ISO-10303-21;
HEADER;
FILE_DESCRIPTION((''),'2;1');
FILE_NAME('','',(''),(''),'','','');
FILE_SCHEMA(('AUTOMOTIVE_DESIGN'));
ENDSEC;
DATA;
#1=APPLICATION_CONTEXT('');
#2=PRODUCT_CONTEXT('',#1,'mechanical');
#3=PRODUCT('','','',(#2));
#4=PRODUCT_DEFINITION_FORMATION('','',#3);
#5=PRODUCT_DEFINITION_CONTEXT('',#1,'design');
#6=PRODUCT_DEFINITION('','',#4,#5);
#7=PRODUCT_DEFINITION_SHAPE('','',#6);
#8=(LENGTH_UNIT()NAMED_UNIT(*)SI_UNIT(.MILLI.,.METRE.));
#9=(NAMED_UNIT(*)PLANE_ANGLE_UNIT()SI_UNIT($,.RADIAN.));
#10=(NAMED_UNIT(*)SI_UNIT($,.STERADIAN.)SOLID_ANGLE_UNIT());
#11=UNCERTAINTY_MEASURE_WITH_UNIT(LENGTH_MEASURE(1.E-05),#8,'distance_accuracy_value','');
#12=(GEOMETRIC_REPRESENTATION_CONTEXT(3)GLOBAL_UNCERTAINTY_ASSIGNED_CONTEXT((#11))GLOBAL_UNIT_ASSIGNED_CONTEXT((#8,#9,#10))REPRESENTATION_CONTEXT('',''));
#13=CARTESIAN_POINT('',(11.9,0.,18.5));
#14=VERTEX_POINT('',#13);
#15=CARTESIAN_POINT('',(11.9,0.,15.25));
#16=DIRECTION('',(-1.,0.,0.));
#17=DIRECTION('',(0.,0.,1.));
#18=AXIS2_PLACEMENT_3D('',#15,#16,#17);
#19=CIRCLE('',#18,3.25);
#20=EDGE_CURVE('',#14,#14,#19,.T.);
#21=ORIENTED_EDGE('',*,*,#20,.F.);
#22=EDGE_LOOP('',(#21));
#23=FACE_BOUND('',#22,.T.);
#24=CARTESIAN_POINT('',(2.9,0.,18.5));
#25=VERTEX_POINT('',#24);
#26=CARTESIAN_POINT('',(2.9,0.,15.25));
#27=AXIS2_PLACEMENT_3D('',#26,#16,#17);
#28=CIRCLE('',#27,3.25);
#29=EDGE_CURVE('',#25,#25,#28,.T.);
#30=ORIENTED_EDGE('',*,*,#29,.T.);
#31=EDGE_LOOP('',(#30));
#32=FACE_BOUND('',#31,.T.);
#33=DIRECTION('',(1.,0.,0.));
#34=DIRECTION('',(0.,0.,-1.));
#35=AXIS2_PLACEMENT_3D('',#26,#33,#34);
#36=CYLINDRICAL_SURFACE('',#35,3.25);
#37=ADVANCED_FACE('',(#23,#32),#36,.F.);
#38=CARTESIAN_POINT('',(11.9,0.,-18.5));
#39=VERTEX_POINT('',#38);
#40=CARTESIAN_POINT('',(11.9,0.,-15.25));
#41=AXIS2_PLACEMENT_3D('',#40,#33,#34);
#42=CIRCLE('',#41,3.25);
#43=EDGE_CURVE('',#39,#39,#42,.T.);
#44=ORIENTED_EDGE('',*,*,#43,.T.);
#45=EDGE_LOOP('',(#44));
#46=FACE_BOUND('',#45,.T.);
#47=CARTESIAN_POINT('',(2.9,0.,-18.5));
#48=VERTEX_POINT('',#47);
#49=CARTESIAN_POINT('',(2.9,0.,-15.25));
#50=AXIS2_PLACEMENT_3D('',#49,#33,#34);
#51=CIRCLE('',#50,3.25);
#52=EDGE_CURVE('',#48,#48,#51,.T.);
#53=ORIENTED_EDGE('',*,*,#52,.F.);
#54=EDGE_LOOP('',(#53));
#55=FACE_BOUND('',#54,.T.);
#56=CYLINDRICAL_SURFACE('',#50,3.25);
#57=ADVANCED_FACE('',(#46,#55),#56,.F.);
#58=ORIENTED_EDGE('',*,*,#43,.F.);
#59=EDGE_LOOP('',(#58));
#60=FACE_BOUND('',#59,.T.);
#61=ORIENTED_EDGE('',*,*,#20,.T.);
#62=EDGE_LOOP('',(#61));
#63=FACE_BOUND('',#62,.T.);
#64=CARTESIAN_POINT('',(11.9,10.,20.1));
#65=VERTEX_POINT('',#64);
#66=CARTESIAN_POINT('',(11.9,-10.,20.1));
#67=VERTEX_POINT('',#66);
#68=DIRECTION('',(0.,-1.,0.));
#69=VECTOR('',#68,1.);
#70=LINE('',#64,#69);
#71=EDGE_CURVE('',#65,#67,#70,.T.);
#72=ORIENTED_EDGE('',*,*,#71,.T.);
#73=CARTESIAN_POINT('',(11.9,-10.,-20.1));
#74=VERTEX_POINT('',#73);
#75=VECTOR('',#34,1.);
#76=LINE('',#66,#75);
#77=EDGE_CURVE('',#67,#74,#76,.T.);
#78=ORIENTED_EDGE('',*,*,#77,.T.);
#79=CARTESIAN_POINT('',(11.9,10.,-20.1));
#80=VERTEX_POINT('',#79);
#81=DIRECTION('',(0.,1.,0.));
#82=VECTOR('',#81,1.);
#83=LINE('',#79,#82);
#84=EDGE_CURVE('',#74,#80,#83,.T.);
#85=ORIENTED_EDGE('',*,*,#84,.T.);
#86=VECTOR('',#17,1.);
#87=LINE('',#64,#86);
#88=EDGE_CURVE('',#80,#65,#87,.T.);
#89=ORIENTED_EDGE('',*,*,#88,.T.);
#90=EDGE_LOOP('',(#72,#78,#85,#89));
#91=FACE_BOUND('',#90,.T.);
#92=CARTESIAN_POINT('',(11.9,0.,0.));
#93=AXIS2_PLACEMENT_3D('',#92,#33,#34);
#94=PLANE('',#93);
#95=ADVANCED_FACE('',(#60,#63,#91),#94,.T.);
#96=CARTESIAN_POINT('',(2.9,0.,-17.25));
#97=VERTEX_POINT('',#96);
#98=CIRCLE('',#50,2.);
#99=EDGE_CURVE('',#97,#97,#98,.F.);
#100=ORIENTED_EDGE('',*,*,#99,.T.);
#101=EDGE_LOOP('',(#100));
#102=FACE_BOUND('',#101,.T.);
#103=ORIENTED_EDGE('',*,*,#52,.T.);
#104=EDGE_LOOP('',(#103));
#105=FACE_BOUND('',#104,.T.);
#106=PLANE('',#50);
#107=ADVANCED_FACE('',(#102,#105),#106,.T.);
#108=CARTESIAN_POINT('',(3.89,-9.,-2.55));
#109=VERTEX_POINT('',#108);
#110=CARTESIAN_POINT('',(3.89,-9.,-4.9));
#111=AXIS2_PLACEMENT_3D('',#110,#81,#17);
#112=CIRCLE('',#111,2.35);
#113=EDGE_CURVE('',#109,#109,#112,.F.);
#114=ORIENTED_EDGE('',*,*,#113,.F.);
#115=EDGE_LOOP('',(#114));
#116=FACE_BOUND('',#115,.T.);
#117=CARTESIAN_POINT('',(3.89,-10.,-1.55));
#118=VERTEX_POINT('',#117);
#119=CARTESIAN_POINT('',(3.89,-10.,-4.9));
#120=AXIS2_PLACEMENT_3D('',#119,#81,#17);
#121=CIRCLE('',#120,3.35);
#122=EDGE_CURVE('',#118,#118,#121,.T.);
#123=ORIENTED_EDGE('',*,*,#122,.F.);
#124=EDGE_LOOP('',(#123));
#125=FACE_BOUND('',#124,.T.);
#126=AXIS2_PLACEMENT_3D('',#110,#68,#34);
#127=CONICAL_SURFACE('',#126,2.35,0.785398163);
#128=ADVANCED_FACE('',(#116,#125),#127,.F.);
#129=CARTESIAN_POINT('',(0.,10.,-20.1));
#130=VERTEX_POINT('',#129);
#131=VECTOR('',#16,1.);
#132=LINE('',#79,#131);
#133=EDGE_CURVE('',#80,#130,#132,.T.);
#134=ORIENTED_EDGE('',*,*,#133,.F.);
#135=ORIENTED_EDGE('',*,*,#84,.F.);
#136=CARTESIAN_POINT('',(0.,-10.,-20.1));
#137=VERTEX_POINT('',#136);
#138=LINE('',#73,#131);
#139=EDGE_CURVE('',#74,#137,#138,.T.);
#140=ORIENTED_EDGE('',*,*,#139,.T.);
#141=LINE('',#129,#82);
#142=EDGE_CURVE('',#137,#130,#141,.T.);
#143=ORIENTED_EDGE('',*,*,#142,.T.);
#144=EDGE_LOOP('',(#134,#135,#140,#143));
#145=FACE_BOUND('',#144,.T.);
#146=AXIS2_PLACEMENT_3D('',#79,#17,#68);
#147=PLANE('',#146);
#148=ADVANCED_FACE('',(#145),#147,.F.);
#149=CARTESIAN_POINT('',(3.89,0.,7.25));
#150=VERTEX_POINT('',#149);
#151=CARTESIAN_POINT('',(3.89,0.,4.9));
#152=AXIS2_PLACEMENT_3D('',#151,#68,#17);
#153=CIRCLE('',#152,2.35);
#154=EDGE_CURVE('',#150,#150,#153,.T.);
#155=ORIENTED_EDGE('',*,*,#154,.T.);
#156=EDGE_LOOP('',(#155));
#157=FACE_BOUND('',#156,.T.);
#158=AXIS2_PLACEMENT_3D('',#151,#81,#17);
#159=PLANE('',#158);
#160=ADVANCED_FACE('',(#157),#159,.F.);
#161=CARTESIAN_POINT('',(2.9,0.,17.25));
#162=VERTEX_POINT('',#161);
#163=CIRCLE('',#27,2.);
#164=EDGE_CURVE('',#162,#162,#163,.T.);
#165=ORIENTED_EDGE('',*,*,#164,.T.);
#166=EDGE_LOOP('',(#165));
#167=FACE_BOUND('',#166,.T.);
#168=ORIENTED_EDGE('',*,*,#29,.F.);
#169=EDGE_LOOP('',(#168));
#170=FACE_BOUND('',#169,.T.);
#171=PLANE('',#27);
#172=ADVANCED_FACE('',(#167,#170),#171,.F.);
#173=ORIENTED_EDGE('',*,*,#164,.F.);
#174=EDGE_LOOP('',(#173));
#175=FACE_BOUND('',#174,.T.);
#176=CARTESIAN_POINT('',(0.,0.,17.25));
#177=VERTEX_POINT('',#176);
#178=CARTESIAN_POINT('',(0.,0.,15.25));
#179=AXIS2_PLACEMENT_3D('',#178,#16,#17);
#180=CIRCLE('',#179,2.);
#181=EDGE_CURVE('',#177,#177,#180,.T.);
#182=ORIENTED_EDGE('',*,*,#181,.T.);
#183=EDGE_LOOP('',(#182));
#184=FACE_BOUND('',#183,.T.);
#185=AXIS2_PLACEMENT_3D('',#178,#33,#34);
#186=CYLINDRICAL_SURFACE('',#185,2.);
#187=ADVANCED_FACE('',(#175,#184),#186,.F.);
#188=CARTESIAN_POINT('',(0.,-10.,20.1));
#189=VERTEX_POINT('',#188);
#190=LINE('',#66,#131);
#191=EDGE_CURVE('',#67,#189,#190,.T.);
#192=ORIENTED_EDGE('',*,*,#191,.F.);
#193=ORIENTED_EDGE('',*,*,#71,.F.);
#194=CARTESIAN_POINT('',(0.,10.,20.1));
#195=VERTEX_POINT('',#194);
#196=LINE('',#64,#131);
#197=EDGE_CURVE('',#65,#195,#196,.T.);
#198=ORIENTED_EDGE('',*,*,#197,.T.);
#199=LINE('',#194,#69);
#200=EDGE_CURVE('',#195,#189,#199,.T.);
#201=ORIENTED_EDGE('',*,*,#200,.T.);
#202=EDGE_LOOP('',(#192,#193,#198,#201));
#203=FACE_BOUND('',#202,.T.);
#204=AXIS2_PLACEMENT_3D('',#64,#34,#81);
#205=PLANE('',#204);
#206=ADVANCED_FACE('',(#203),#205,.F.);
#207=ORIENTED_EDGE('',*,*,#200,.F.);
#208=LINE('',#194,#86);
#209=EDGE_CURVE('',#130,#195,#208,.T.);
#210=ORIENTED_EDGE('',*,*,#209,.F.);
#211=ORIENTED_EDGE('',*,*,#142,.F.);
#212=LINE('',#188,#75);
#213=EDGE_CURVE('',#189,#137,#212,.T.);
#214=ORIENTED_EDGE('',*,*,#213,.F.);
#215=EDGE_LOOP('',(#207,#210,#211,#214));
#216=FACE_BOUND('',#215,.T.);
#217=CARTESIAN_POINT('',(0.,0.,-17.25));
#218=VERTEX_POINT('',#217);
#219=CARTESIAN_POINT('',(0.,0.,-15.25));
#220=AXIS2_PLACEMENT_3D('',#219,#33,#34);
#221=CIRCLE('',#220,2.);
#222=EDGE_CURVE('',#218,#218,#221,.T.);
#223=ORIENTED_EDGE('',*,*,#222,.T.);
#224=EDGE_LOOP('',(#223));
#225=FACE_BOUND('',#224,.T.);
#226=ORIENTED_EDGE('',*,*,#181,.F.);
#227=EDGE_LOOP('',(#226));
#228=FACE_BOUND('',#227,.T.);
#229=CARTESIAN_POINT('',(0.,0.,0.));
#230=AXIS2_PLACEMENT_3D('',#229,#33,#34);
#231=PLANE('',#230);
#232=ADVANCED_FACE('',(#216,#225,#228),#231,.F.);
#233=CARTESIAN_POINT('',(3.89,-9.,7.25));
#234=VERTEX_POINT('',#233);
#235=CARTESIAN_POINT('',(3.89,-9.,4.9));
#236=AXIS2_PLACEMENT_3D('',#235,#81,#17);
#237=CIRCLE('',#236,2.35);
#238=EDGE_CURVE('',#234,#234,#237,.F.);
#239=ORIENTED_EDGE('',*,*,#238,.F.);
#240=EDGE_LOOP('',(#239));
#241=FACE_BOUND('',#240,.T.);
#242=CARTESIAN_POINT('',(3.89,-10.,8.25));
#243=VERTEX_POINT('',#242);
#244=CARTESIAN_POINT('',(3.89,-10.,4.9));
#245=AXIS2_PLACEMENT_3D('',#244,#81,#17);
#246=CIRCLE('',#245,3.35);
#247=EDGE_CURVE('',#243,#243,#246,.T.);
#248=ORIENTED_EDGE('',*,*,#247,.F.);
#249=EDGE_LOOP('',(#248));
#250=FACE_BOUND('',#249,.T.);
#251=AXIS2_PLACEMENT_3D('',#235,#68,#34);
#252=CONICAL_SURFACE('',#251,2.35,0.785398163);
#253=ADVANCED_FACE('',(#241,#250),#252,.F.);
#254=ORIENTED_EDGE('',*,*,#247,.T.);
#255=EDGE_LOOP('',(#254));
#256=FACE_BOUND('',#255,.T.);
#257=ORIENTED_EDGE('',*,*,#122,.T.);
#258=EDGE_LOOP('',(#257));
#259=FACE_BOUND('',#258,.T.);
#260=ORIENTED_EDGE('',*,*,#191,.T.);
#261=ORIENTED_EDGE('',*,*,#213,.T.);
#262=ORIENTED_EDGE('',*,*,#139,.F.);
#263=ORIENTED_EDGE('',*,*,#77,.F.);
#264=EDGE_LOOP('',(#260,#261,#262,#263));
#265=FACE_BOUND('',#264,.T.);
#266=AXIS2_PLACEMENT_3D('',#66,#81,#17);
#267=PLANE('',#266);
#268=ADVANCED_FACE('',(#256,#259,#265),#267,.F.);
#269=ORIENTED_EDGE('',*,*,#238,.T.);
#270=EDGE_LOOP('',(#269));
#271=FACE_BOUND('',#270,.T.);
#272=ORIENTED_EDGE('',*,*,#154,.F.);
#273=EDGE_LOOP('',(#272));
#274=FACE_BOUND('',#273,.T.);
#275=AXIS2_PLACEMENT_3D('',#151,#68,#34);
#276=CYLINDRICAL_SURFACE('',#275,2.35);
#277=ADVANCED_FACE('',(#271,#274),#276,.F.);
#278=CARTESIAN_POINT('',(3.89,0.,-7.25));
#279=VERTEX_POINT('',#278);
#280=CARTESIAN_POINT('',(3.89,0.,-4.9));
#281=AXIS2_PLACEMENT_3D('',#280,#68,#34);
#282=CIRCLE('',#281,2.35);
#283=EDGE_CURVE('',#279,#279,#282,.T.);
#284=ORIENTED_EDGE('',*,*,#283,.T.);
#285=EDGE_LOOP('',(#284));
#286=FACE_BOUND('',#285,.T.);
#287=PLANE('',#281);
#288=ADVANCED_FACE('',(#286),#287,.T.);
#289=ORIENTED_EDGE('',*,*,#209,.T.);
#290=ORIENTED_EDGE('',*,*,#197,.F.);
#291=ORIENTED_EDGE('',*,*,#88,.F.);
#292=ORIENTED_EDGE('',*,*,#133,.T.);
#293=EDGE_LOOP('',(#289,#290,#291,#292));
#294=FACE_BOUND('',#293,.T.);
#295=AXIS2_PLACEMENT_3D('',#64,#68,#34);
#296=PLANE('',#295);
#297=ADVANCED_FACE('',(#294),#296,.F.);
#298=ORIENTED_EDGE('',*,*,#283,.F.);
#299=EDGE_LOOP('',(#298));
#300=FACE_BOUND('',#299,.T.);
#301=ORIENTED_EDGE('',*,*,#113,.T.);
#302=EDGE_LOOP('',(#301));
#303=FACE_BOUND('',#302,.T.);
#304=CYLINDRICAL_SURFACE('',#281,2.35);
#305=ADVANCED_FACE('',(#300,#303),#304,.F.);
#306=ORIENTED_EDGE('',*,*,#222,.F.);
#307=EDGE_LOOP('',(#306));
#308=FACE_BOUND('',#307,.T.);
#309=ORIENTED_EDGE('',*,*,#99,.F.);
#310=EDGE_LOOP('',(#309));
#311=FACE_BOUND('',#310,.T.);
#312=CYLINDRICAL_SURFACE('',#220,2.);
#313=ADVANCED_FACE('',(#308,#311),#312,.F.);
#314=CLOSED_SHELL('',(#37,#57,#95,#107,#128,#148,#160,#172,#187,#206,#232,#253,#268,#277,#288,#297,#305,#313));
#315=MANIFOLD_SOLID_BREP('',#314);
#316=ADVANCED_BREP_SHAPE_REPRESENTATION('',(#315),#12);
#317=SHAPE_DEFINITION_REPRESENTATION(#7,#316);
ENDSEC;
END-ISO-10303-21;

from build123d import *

# Parameters (mm, degrees)
SKETCH1_W           = 40.2
SKETCH1_H           = 20
BOSS_EXTRUDE1_DEPTH = 11.9
SKETCH2_R           = 2.35
CUT_EXTRUDE1_DEPTH  = 10
SKETCH3_R           = 2
CUT_EXTRUDE3_DEPTH  = 26.409053505
SKETCH5_R           = 3.25
CUT_EXTRUDE4_DEPTH  = 9
CHAMFER1_SIZE       = 1


with BuildPart() as part:
    # Sketch1 → Boss-Extrude1 (new body)
    with BuildSketch(Plane(origin=(0, 0, 0), x_dir=(0, 0, -1), z_dir=(1, 0, 0))):
        Rectangle(SKETCH1_W, SKETCH1_H)
    extrude(amount=BOSS_EXTRUDE1_DEPTH)

    # Sketch2 → Cut-Extrude1 (cut)
    with BuildSketch(Plane.XZ.offset(10)):
        with Locations(Location((3.89, -4.9, 0), (0, 0, 270))):
            Circle(SKETCH2_R)
        with Locations(Location((3.89, 4.9, 0), (0, 0, 90))):
            Circle(SKETCH2_R)
    extrude(amount=-CUT_EXTRUDE1_DEPTH, mode=Mode.SUBTRACT)

    # Sketch3 → Cut-Extrude3 (cut, through all)
    with BuildSketch(Plane(origin=(11.9, 0, 0), x_dir=(0, 0, -1), z_dir=(1, 0, 0))):
        with Locations((15.25, 0)):
            Circle(SKETCH3_R)
        with Locations(Location((-15.25, 0, 0), (0, 0, 180))):
            Circle(SKETCH3_R)
    extrude(amount=-CUT_EXTRUDE3_DEPTH, mode=Mode.SUBTRACT)

    # Sketch5 → Cut-Extrude4 (cut)
    with BuildSketch(Plane(origin=(11.9, 0, 0), x_dir=(0, 0, -1), z_dir=(1, 0, 0))):
        with Locations((15.25, 0)):
            Circle(SKETCH5_R)
        with Locations(Location((-15.25, 0, 0), (0, 0, 180))):
            Circle(SKETCH5_R)
    extrude(amount=-CUT_EXTRUDE4_DEPTH, mode=Mode.SUBTRACT)

    # Chamfer1
    chamfer1_edges = [part.edges().sort_by_distance(p)[0] for p in [
        (3.89, -10, -2.55),
        (3.89, -10, 2.55),
    ]]
    chamfer(chamfer1_edges, length=CHAMFER1_SIZE)


solid = part.part
